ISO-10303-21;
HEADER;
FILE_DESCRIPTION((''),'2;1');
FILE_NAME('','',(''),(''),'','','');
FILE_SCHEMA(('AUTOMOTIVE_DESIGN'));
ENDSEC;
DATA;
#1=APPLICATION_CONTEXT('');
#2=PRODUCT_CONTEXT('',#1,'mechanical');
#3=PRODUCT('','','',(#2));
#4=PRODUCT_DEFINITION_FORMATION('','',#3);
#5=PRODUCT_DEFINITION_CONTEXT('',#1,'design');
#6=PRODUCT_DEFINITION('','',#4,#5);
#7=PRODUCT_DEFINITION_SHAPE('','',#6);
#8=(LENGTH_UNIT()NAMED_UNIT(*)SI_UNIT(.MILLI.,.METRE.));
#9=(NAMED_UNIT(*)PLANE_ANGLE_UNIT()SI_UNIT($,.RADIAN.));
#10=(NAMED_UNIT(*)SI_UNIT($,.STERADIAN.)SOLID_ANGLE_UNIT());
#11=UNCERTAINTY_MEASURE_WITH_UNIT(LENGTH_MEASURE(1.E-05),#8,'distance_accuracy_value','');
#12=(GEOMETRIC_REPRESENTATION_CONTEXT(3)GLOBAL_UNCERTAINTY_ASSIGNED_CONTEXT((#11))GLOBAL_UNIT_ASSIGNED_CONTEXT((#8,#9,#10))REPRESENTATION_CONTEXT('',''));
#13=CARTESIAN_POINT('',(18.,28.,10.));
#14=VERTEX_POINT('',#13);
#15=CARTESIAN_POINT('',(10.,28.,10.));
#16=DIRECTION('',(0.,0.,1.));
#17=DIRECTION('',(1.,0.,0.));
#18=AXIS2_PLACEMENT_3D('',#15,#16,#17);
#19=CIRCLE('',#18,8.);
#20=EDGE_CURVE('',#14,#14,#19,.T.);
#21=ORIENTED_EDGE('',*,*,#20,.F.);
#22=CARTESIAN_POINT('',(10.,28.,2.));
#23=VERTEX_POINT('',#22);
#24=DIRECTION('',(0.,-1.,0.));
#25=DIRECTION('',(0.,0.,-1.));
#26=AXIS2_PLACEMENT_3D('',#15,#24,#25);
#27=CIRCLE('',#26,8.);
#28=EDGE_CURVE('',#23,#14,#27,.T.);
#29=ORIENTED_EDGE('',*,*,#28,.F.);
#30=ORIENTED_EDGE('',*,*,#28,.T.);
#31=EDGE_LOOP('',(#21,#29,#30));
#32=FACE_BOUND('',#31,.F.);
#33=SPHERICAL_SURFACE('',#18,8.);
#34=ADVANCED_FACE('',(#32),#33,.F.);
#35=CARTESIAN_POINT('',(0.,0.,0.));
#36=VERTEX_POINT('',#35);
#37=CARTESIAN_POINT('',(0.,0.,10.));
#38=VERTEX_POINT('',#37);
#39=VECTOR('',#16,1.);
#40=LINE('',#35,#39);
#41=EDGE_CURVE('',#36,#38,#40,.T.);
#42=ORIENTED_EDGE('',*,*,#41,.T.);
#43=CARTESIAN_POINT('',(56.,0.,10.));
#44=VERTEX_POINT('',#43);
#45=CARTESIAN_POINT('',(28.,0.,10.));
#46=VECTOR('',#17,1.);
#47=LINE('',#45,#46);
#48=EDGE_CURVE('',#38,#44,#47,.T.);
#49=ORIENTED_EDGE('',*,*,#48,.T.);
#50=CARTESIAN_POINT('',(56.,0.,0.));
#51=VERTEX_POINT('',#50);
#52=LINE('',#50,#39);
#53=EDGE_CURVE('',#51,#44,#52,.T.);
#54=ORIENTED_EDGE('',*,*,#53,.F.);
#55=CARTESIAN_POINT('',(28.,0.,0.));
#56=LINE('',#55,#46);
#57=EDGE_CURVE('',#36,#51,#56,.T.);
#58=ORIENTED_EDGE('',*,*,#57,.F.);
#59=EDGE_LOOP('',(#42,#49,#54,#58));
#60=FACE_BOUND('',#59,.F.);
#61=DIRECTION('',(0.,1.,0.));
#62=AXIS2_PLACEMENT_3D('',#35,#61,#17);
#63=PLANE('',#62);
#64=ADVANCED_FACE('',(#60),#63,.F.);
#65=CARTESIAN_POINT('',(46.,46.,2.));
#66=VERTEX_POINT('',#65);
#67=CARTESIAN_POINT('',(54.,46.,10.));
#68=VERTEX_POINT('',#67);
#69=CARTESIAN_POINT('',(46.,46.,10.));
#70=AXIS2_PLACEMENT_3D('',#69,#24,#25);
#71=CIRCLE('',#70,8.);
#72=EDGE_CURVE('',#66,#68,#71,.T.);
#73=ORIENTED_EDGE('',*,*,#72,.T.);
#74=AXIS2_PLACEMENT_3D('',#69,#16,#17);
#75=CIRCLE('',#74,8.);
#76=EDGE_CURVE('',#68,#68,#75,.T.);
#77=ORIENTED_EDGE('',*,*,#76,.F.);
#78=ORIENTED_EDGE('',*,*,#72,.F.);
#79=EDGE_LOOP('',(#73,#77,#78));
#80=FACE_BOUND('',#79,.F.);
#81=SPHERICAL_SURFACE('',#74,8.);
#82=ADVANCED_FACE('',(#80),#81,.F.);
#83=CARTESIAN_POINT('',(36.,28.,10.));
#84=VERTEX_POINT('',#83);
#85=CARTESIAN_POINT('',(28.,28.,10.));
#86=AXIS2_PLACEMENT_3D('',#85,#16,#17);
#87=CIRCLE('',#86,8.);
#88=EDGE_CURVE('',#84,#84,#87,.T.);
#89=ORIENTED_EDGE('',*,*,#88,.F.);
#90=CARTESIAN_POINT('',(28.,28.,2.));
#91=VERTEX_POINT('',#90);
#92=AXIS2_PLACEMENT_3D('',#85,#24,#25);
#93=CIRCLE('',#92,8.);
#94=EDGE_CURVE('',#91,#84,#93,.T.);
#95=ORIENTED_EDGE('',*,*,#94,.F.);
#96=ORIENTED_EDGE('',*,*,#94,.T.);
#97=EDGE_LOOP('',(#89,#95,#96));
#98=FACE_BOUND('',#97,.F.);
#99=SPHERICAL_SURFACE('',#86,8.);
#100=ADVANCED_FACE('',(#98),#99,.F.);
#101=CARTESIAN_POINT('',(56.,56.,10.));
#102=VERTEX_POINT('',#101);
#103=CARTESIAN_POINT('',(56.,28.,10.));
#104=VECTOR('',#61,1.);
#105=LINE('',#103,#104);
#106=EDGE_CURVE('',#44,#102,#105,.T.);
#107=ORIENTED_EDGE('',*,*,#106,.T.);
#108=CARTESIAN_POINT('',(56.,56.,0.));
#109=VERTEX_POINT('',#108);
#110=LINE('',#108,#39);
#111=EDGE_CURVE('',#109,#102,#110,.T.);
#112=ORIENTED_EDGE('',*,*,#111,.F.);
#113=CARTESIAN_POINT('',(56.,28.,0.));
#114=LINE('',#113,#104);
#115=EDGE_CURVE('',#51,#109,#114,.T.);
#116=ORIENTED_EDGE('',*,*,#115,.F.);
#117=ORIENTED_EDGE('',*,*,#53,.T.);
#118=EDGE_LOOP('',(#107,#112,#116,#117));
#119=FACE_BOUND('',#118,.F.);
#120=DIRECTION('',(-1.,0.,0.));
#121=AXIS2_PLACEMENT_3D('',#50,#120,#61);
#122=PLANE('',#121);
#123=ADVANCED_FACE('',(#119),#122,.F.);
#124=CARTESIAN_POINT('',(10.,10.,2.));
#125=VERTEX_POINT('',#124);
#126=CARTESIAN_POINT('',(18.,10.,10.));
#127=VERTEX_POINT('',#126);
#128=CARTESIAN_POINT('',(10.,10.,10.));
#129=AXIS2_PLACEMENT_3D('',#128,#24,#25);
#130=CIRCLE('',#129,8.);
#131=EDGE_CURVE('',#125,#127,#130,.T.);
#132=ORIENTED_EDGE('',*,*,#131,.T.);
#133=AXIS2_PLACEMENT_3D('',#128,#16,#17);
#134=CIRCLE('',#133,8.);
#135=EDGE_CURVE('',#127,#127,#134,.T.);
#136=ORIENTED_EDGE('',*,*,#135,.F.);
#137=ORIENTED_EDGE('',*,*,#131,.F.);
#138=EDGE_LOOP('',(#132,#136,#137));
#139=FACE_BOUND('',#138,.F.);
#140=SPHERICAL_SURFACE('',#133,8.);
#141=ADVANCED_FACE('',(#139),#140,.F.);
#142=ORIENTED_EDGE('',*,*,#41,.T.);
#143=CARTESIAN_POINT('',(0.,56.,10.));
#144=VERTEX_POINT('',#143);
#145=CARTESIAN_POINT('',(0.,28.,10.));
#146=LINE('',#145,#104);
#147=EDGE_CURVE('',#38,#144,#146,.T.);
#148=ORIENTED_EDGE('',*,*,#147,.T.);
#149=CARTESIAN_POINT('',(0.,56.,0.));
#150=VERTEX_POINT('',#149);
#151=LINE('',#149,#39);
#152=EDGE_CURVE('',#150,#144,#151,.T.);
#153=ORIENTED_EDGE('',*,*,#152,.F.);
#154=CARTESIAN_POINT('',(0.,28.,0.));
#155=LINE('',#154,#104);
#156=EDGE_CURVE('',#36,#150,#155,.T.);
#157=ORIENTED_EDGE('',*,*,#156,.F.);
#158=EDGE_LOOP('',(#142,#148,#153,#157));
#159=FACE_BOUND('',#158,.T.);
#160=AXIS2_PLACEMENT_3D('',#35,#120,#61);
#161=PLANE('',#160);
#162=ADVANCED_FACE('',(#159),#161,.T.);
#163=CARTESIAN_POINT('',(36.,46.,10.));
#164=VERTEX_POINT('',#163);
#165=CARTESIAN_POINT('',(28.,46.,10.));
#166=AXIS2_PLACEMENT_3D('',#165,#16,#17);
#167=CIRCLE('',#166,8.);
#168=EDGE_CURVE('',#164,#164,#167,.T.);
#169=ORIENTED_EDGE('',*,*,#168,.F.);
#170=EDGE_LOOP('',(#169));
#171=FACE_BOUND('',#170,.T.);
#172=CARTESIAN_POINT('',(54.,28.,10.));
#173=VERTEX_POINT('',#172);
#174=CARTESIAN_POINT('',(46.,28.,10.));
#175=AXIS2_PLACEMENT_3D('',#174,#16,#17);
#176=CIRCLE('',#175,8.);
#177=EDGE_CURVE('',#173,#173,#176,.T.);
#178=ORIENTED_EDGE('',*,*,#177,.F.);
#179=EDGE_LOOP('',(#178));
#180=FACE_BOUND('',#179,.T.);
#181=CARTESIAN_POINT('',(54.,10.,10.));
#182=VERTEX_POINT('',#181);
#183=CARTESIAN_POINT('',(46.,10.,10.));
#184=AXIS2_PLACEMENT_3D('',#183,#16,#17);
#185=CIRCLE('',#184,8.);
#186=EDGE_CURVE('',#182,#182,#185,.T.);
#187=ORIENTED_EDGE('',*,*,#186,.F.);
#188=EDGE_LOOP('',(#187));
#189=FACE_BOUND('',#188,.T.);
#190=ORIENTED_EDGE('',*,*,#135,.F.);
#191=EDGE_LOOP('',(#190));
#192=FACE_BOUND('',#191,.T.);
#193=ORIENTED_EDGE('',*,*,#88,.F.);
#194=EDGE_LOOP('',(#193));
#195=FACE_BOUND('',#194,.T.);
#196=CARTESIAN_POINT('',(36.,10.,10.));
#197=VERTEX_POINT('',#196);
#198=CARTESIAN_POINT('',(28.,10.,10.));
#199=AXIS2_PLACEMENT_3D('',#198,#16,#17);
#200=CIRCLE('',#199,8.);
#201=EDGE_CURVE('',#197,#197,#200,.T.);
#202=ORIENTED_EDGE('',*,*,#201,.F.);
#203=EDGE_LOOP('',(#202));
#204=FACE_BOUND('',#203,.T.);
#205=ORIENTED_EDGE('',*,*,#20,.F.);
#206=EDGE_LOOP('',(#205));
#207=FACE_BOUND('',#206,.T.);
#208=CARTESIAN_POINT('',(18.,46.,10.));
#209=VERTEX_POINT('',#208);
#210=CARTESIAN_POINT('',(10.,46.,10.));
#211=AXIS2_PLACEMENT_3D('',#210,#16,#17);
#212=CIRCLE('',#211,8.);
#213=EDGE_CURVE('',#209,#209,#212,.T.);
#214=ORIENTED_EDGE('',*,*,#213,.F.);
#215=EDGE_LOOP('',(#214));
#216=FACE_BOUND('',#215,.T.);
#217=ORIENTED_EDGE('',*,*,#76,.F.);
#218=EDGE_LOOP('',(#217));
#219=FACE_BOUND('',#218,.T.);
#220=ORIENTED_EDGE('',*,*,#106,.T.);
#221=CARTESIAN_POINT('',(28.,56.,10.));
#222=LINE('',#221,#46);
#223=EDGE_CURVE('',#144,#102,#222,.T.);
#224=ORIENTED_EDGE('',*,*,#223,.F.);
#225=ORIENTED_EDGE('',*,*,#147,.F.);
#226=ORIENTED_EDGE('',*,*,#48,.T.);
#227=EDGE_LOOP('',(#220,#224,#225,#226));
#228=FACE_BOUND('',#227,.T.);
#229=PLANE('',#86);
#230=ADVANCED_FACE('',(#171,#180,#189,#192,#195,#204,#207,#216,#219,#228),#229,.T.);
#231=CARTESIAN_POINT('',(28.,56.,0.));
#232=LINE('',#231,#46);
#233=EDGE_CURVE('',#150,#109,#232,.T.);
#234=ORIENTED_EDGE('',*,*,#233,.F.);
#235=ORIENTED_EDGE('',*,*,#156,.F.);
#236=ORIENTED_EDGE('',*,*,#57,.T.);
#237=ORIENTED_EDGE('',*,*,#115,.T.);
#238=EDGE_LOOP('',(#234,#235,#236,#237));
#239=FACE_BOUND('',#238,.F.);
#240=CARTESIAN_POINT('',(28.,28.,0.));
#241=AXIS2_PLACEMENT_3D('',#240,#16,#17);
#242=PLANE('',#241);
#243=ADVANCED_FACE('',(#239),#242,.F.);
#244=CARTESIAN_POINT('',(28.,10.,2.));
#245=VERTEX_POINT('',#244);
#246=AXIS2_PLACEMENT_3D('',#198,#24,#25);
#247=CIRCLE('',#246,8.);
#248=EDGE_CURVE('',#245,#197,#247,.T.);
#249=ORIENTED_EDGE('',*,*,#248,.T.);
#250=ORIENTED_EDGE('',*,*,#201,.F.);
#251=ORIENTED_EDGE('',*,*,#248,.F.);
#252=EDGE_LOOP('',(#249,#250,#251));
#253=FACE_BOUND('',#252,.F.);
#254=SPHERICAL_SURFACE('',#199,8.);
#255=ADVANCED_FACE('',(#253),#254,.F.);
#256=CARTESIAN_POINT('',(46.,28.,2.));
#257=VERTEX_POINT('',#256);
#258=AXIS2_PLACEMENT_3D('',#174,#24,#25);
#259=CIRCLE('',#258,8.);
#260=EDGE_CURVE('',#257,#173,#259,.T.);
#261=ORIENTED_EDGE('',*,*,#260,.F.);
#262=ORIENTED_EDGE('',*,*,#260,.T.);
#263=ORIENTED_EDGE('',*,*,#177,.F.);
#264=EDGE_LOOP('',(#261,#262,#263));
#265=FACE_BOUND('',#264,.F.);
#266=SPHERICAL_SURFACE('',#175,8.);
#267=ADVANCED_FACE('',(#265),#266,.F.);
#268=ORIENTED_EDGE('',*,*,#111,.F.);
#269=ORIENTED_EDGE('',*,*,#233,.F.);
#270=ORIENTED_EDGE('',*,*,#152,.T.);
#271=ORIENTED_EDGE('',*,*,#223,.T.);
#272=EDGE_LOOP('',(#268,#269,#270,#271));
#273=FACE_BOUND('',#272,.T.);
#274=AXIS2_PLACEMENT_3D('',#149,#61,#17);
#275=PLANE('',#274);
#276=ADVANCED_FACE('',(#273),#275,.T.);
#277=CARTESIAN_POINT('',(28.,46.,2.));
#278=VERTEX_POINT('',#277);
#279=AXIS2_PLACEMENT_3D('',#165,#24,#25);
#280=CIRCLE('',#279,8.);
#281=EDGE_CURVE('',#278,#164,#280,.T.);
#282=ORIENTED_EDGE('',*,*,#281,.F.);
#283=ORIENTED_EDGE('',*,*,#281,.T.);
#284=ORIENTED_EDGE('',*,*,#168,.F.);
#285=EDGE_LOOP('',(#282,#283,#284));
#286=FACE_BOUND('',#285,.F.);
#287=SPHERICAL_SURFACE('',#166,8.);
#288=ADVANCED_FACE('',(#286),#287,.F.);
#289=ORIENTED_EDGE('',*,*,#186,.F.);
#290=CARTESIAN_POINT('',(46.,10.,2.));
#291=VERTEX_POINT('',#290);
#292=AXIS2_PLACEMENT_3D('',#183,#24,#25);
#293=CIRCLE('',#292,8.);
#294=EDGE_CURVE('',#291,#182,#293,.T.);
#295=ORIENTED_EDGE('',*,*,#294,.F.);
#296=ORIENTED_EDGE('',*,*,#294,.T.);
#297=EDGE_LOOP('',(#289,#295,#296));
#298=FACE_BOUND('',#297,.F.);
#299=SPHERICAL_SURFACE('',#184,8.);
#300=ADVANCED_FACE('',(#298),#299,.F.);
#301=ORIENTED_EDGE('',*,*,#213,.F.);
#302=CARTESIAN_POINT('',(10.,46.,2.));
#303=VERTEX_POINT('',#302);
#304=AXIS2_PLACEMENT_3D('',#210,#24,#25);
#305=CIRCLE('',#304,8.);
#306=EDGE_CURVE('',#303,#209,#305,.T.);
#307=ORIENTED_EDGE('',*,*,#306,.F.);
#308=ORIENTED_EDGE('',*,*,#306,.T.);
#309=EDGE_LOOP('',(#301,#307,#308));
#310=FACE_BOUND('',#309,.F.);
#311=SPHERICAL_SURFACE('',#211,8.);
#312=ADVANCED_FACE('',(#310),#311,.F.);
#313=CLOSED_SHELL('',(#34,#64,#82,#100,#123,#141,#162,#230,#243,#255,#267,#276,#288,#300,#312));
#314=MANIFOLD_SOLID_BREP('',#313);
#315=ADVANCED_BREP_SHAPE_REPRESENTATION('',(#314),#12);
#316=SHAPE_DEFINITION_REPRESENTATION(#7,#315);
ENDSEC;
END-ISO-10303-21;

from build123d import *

# Parameters (mm, degrees)
ARRAY_X_COUNT = 3
ARRAY_X_PITCH = 18
ARRAY_Y_COUNT = 3
ARRAY_Y_PITCH = 18
BOX_W         = 56
BOX_H         = 56
BOX_DEPTH     = 10


with BuildPart() as array:
    # Sphere → Sphere (revolve)
    with BuildSketch(Plane.XZ):
        with BuildLine():
            ThreePointArc((0, -8), (8, 0), (0, 8))
            Line((0, 8), (0, -8))
        make_face()
    revolve(axis=Axis((0, 0, 0), (0, 0, 1)))

    # Array X: Array ×3


with BuildPart() as array_1:
    add(array.part)
    with Locations(*[(i * ARRAY_X_PITCH, 0, 0) for i in range(1, ARRAY_X_COUNT)]):
        add(array.part)

    # Array Y: Array ×3


with BuildPart() as array_2:
    add(array_1.part)
    with Locations(*[(0, i * ARRAY_Y_PITCH, 0) for i in range(1, ARRAY_Y_COUNT)]):
        add(array_1.part)


with BuildPart() as array_3:
    # Array placement: moved
    add(array_2.part.moved(Location((10, 10, 10))))


with BuildPart() as porta_bales:
    # Box → Box (new body)
    with BuildSketch(Plane(origin=(-10, -10, -10), x_dir=(1, 0, 0), z_dir=(0, 0, 1))):
        with Locations((28, 28)):
            Rectangle(BOX_W, BOX_H)
    extrude(amount=BOX_DEPTH)

    # Cut: cut Array
    add(array_3.part, mode=Mode.SUBTRACT)


with BuildPart() as porta_bales_1:
    # Cut placement: moved
    add(porta_bales.part.moved(Location((10, 10, 10))))

    # Cut001: cut Array
    add(array_3.part, mode=Mode.SUBTRACT)


solid = porta_bales_1.part
